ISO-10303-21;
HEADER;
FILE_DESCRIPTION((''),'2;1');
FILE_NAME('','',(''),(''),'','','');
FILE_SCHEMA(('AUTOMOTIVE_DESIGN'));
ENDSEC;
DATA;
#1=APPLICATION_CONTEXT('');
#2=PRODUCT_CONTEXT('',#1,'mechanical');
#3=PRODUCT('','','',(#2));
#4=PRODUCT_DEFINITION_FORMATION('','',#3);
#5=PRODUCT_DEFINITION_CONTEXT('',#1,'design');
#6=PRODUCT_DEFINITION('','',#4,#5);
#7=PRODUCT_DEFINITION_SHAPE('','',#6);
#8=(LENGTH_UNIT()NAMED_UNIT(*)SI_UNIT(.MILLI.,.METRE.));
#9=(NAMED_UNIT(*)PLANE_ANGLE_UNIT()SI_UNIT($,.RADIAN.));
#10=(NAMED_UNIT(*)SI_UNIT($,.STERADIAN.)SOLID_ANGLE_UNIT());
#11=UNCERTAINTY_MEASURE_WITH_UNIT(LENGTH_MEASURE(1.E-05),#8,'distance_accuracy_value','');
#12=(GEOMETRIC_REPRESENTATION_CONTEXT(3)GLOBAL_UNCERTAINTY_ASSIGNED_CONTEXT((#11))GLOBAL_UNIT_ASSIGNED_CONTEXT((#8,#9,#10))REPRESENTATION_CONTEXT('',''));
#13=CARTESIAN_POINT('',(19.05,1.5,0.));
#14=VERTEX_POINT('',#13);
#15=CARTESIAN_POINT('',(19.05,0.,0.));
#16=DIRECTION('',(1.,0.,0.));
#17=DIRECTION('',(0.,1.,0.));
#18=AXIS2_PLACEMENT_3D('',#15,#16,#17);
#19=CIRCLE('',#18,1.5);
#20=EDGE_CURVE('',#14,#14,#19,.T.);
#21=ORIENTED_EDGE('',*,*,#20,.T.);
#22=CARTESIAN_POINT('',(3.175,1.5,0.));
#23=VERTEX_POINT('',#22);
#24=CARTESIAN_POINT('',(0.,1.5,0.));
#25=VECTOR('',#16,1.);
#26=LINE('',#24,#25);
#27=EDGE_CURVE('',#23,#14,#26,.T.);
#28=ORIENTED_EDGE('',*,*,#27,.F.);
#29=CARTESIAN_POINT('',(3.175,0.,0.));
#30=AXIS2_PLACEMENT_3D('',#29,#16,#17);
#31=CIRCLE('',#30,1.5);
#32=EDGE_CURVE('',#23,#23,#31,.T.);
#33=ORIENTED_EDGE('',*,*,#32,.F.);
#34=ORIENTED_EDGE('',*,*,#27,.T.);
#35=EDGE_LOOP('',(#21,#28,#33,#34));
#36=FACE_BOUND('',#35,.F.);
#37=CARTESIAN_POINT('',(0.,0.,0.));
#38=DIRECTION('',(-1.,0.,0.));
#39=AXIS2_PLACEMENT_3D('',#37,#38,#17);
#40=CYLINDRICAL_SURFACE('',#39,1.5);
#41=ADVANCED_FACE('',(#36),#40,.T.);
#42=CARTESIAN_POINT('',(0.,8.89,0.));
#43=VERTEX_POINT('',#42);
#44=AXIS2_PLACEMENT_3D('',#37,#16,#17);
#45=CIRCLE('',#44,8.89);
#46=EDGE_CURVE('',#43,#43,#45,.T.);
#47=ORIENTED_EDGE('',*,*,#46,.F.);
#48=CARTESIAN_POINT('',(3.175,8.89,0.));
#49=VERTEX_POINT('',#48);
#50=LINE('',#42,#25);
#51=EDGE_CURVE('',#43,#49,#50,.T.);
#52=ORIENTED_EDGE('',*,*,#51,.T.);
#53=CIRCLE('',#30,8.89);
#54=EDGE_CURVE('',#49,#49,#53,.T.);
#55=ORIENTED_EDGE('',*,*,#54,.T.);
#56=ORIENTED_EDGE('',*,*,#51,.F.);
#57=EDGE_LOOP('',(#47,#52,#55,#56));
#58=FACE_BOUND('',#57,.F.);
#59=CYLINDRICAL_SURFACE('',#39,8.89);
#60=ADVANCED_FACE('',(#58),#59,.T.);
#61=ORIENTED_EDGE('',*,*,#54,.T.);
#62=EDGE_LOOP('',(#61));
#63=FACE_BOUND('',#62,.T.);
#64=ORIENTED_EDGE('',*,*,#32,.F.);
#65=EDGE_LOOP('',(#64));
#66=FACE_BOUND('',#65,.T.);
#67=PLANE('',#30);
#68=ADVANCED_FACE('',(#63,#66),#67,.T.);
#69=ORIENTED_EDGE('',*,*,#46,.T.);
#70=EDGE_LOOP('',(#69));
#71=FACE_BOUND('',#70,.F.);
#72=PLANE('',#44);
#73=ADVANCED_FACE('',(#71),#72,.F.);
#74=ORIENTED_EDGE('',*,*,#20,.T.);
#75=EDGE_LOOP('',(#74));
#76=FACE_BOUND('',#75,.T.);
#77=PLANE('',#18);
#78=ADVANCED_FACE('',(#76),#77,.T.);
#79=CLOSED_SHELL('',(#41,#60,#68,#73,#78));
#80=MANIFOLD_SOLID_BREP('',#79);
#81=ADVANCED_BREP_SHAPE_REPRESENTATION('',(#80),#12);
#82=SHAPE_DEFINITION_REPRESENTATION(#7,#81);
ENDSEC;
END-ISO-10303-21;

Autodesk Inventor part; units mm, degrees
ref_plane "YZ Plane" through (0, 0, 0) normal (1, 0, 0) x (0, 1, 0)
ref_plane "XZ Plane" through (0, 0, 0) normal (0, 1, 0) x (-1, 0, 0)
ref_plane "XY Plane" through (0, 0, 0) normal (0, 0, 1) x (1, 0, 0)
sketch "Sketch1" plane through (0, 0, 0) normal (1, 0, 0) x (0, 1, 0)
  circle A0 centre (0, 0) radius 8.89
  circle A1 centre (0, 0) radius 1.5
extrude "Extrusion2" add sketch "Sketch1" along normal blind 3.175
extrude "Extrusion3" add sketch "Sketch1" along normal blind 19.05 contours A1
properties part number "BumperWheel2"
